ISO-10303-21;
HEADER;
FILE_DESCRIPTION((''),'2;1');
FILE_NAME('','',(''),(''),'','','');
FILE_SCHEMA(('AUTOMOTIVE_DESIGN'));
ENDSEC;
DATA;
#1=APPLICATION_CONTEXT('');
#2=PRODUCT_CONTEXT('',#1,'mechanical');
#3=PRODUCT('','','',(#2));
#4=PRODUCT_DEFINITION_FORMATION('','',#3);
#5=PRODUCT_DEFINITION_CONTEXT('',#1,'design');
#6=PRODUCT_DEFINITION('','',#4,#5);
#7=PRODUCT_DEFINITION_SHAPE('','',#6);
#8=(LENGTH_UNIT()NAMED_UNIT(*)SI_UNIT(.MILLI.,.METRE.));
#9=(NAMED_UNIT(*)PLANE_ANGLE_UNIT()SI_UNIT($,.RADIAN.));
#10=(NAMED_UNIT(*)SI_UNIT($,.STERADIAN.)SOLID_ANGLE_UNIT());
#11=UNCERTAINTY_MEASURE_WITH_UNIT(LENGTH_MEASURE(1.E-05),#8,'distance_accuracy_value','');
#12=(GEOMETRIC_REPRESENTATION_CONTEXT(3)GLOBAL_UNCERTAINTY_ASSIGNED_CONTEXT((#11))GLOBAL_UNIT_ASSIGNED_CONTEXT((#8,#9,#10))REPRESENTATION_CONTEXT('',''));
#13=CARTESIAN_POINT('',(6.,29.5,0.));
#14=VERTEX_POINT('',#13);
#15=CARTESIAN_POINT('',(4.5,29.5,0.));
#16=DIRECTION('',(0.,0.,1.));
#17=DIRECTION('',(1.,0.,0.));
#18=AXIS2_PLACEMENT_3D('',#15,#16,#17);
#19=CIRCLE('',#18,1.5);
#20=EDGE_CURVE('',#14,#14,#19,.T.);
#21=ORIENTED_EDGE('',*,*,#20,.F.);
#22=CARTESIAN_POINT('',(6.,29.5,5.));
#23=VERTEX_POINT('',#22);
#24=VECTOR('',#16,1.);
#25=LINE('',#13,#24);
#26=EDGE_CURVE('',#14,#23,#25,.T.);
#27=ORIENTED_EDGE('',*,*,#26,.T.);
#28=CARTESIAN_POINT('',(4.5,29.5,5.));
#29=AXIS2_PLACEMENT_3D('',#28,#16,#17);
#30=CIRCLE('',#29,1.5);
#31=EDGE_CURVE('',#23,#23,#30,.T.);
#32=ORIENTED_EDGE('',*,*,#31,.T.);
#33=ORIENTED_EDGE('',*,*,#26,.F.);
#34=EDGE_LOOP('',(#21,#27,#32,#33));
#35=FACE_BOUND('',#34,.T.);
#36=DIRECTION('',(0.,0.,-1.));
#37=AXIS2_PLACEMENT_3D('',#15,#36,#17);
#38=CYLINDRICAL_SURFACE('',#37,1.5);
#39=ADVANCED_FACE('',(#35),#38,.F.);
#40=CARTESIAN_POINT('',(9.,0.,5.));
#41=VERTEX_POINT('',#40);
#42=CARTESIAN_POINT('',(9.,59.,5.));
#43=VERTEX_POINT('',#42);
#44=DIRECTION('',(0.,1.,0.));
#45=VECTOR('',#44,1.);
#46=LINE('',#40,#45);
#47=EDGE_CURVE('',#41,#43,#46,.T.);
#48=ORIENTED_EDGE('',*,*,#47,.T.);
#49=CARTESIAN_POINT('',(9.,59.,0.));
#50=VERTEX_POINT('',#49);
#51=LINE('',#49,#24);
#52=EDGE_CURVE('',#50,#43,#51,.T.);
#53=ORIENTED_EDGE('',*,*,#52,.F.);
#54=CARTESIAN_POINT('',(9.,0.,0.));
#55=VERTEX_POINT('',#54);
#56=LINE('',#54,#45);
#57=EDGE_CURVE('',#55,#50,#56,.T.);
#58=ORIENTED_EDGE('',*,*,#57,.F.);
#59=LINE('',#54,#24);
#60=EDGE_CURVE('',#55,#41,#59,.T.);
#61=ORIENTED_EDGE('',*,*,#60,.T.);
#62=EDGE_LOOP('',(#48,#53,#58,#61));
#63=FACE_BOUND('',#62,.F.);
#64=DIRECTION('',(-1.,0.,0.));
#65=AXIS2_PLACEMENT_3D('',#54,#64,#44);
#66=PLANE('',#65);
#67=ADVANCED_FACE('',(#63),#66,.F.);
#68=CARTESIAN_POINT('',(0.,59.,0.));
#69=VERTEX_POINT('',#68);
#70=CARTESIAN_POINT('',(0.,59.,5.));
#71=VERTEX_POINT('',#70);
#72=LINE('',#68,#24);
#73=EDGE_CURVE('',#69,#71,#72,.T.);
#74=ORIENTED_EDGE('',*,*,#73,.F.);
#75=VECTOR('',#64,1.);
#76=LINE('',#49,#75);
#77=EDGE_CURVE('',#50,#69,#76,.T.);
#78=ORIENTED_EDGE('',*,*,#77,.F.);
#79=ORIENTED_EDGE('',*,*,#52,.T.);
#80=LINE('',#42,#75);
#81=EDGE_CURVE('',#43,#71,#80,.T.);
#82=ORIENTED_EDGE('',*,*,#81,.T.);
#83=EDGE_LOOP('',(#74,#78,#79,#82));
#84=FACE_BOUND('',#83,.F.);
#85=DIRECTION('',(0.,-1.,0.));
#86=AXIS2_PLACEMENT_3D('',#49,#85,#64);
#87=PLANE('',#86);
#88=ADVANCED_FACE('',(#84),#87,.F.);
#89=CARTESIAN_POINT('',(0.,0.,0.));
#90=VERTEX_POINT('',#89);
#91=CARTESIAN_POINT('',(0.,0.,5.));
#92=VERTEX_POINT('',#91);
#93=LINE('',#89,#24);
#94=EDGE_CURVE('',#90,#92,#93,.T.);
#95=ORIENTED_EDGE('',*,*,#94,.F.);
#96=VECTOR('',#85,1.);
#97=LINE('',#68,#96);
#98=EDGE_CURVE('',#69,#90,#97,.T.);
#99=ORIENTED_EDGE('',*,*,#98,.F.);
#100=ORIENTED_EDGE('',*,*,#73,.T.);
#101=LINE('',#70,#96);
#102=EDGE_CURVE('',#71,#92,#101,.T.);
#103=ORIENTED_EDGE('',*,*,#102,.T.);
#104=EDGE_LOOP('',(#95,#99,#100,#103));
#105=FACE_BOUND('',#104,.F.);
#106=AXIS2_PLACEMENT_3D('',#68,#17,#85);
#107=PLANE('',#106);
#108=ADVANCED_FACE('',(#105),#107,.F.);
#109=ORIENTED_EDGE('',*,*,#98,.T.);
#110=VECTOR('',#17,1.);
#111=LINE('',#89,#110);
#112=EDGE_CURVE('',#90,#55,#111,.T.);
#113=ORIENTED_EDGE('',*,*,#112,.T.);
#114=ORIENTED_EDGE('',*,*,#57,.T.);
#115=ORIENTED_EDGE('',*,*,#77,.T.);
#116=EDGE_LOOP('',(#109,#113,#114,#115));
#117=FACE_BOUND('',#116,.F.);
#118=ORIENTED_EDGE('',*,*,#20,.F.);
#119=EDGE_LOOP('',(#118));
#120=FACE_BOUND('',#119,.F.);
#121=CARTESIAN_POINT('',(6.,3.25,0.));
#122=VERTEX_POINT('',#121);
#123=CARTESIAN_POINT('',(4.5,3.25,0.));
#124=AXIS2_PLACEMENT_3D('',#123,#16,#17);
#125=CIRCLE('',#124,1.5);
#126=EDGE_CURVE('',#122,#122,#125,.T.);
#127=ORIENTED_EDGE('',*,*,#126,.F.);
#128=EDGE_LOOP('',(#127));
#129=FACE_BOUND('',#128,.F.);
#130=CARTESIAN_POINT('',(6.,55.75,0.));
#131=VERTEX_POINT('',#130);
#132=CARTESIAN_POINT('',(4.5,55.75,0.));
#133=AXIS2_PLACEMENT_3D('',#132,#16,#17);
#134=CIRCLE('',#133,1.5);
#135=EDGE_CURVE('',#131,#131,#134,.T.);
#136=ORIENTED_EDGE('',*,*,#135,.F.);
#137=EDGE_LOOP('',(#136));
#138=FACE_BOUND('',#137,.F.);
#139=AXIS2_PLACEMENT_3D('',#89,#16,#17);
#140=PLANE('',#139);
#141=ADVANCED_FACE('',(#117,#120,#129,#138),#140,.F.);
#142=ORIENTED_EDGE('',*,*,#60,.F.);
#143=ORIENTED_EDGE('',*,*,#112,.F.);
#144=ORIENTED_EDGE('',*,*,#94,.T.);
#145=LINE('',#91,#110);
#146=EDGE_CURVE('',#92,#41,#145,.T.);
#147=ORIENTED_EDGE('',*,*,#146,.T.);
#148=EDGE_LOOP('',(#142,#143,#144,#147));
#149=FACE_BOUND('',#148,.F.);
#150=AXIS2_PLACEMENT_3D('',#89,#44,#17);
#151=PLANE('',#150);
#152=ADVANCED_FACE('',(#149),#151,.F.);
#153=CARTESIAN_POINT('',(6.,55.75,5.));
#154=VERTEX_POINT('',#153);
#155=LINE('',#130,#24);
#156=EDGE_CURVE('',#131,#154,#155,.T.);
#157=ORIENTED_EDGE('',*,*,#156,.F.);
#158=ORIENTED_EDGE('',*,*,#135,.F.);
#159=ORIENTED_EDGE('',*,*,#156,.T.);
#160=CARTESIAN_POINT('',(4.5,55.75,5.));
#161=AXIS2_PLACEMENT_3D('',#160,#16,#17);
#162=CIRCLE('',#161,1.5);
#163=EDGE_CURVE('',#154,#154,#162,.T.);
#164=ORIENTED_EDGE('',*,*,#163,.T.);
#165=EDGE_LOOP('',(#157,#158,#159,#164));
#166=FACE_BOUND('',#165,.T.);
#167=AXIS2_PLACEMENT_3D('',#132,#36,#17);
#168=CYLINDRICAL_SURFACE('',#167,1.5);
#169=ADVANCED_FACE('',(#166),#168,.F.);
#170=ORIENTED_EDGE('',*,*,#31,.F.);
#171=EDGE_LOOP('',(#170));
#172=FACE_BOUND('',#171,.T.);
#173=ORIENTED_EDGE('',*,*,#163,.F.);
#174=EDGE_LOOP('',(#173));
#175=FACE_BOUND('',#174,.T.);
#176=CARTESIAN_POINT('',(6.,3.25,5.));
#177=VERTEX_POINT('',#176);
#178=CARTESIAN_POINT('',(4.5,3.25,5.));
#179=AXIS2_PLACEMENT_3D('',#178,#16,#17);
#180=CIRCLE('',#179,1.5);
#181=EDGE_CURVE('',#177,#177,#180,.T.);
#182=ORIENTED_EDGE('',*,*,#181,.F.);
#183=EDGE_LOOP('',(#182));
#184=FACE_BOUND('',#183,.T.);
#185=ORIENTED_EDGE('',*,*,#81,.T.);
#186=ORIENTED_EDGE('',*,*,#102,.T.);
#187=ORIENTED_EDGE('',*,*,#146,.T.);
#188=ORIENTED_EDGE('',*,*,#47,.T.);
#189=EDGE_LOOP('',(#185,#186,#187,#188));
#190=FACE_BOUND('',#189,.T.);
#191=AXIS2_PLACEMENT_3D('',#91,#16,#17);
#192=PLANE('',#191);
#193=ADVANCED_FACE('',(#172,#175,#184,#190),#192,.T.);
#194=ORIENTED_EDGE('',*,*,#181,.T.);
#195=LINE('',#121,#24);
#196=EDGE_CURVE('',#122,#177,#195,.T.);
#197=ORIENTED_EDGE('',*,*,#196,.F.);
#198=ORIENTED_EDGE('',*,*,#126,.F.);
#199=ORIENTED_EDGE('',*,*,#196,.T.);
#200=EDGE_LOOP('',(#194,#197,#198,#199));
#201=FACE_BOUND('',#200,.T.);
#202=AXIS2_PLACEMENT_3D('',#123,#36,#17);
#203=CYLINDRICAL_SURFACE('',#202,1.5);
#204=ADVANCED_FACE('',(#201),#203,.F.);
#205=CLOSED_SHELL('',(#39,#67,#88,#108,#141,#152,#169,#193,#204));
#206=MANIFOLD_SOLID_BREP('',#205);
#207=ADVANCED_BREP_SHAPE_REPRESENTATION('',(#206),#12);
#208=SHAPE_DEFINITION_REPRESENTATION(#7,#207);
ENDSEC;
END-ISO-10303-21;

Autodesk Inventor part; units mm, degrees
ref_plane "YZ Plane" through (0, 0, 0) normal (1, 0, 0) x (0, 1, 0)
ref_plane "XZ Plane" through (0, 0, 0) normal (0, 1, 0) x (-1, 0, 0)
ref_plane "XY Plane" through (0, 0, 0) normal (0, 0, 1) x (1, 0, 0)
sketch "Sketch1" plane through (0, 0, 0) normal (0, 0, 1) x (1, 0, 0)
  line L0 (0, 0) -> (9, 0)
  line L1 (9, 0) -> (9, 59)
  line L2 (9, 59) -> (0, 59)
  line L3 (0, 59) -> (0, 0)
  circle A0 centre (4.5, 55.75) radius 1.5
  circle A1 centre (4.5, 3.25) radius 1.5
  line L4 (4.5, 55.75) -> (4.5, 3.25) construction
  circle A2 centre (4.5, 29.5) radius 1.5
  point P0 (9, 29.5)
  point P1 (4.5, 59)
  dimension "d0" = 9
  dimension "d1" = 59
  dimension "d2" = 3
  dimension "d3" = 3
  dimension "d4" = 52.5
  dimension "d5" = 3
extrude "Extrusion1" add sketch "Sketch1" along normal blind 5
properties part number "SJ017" material "ABS Plastic"
